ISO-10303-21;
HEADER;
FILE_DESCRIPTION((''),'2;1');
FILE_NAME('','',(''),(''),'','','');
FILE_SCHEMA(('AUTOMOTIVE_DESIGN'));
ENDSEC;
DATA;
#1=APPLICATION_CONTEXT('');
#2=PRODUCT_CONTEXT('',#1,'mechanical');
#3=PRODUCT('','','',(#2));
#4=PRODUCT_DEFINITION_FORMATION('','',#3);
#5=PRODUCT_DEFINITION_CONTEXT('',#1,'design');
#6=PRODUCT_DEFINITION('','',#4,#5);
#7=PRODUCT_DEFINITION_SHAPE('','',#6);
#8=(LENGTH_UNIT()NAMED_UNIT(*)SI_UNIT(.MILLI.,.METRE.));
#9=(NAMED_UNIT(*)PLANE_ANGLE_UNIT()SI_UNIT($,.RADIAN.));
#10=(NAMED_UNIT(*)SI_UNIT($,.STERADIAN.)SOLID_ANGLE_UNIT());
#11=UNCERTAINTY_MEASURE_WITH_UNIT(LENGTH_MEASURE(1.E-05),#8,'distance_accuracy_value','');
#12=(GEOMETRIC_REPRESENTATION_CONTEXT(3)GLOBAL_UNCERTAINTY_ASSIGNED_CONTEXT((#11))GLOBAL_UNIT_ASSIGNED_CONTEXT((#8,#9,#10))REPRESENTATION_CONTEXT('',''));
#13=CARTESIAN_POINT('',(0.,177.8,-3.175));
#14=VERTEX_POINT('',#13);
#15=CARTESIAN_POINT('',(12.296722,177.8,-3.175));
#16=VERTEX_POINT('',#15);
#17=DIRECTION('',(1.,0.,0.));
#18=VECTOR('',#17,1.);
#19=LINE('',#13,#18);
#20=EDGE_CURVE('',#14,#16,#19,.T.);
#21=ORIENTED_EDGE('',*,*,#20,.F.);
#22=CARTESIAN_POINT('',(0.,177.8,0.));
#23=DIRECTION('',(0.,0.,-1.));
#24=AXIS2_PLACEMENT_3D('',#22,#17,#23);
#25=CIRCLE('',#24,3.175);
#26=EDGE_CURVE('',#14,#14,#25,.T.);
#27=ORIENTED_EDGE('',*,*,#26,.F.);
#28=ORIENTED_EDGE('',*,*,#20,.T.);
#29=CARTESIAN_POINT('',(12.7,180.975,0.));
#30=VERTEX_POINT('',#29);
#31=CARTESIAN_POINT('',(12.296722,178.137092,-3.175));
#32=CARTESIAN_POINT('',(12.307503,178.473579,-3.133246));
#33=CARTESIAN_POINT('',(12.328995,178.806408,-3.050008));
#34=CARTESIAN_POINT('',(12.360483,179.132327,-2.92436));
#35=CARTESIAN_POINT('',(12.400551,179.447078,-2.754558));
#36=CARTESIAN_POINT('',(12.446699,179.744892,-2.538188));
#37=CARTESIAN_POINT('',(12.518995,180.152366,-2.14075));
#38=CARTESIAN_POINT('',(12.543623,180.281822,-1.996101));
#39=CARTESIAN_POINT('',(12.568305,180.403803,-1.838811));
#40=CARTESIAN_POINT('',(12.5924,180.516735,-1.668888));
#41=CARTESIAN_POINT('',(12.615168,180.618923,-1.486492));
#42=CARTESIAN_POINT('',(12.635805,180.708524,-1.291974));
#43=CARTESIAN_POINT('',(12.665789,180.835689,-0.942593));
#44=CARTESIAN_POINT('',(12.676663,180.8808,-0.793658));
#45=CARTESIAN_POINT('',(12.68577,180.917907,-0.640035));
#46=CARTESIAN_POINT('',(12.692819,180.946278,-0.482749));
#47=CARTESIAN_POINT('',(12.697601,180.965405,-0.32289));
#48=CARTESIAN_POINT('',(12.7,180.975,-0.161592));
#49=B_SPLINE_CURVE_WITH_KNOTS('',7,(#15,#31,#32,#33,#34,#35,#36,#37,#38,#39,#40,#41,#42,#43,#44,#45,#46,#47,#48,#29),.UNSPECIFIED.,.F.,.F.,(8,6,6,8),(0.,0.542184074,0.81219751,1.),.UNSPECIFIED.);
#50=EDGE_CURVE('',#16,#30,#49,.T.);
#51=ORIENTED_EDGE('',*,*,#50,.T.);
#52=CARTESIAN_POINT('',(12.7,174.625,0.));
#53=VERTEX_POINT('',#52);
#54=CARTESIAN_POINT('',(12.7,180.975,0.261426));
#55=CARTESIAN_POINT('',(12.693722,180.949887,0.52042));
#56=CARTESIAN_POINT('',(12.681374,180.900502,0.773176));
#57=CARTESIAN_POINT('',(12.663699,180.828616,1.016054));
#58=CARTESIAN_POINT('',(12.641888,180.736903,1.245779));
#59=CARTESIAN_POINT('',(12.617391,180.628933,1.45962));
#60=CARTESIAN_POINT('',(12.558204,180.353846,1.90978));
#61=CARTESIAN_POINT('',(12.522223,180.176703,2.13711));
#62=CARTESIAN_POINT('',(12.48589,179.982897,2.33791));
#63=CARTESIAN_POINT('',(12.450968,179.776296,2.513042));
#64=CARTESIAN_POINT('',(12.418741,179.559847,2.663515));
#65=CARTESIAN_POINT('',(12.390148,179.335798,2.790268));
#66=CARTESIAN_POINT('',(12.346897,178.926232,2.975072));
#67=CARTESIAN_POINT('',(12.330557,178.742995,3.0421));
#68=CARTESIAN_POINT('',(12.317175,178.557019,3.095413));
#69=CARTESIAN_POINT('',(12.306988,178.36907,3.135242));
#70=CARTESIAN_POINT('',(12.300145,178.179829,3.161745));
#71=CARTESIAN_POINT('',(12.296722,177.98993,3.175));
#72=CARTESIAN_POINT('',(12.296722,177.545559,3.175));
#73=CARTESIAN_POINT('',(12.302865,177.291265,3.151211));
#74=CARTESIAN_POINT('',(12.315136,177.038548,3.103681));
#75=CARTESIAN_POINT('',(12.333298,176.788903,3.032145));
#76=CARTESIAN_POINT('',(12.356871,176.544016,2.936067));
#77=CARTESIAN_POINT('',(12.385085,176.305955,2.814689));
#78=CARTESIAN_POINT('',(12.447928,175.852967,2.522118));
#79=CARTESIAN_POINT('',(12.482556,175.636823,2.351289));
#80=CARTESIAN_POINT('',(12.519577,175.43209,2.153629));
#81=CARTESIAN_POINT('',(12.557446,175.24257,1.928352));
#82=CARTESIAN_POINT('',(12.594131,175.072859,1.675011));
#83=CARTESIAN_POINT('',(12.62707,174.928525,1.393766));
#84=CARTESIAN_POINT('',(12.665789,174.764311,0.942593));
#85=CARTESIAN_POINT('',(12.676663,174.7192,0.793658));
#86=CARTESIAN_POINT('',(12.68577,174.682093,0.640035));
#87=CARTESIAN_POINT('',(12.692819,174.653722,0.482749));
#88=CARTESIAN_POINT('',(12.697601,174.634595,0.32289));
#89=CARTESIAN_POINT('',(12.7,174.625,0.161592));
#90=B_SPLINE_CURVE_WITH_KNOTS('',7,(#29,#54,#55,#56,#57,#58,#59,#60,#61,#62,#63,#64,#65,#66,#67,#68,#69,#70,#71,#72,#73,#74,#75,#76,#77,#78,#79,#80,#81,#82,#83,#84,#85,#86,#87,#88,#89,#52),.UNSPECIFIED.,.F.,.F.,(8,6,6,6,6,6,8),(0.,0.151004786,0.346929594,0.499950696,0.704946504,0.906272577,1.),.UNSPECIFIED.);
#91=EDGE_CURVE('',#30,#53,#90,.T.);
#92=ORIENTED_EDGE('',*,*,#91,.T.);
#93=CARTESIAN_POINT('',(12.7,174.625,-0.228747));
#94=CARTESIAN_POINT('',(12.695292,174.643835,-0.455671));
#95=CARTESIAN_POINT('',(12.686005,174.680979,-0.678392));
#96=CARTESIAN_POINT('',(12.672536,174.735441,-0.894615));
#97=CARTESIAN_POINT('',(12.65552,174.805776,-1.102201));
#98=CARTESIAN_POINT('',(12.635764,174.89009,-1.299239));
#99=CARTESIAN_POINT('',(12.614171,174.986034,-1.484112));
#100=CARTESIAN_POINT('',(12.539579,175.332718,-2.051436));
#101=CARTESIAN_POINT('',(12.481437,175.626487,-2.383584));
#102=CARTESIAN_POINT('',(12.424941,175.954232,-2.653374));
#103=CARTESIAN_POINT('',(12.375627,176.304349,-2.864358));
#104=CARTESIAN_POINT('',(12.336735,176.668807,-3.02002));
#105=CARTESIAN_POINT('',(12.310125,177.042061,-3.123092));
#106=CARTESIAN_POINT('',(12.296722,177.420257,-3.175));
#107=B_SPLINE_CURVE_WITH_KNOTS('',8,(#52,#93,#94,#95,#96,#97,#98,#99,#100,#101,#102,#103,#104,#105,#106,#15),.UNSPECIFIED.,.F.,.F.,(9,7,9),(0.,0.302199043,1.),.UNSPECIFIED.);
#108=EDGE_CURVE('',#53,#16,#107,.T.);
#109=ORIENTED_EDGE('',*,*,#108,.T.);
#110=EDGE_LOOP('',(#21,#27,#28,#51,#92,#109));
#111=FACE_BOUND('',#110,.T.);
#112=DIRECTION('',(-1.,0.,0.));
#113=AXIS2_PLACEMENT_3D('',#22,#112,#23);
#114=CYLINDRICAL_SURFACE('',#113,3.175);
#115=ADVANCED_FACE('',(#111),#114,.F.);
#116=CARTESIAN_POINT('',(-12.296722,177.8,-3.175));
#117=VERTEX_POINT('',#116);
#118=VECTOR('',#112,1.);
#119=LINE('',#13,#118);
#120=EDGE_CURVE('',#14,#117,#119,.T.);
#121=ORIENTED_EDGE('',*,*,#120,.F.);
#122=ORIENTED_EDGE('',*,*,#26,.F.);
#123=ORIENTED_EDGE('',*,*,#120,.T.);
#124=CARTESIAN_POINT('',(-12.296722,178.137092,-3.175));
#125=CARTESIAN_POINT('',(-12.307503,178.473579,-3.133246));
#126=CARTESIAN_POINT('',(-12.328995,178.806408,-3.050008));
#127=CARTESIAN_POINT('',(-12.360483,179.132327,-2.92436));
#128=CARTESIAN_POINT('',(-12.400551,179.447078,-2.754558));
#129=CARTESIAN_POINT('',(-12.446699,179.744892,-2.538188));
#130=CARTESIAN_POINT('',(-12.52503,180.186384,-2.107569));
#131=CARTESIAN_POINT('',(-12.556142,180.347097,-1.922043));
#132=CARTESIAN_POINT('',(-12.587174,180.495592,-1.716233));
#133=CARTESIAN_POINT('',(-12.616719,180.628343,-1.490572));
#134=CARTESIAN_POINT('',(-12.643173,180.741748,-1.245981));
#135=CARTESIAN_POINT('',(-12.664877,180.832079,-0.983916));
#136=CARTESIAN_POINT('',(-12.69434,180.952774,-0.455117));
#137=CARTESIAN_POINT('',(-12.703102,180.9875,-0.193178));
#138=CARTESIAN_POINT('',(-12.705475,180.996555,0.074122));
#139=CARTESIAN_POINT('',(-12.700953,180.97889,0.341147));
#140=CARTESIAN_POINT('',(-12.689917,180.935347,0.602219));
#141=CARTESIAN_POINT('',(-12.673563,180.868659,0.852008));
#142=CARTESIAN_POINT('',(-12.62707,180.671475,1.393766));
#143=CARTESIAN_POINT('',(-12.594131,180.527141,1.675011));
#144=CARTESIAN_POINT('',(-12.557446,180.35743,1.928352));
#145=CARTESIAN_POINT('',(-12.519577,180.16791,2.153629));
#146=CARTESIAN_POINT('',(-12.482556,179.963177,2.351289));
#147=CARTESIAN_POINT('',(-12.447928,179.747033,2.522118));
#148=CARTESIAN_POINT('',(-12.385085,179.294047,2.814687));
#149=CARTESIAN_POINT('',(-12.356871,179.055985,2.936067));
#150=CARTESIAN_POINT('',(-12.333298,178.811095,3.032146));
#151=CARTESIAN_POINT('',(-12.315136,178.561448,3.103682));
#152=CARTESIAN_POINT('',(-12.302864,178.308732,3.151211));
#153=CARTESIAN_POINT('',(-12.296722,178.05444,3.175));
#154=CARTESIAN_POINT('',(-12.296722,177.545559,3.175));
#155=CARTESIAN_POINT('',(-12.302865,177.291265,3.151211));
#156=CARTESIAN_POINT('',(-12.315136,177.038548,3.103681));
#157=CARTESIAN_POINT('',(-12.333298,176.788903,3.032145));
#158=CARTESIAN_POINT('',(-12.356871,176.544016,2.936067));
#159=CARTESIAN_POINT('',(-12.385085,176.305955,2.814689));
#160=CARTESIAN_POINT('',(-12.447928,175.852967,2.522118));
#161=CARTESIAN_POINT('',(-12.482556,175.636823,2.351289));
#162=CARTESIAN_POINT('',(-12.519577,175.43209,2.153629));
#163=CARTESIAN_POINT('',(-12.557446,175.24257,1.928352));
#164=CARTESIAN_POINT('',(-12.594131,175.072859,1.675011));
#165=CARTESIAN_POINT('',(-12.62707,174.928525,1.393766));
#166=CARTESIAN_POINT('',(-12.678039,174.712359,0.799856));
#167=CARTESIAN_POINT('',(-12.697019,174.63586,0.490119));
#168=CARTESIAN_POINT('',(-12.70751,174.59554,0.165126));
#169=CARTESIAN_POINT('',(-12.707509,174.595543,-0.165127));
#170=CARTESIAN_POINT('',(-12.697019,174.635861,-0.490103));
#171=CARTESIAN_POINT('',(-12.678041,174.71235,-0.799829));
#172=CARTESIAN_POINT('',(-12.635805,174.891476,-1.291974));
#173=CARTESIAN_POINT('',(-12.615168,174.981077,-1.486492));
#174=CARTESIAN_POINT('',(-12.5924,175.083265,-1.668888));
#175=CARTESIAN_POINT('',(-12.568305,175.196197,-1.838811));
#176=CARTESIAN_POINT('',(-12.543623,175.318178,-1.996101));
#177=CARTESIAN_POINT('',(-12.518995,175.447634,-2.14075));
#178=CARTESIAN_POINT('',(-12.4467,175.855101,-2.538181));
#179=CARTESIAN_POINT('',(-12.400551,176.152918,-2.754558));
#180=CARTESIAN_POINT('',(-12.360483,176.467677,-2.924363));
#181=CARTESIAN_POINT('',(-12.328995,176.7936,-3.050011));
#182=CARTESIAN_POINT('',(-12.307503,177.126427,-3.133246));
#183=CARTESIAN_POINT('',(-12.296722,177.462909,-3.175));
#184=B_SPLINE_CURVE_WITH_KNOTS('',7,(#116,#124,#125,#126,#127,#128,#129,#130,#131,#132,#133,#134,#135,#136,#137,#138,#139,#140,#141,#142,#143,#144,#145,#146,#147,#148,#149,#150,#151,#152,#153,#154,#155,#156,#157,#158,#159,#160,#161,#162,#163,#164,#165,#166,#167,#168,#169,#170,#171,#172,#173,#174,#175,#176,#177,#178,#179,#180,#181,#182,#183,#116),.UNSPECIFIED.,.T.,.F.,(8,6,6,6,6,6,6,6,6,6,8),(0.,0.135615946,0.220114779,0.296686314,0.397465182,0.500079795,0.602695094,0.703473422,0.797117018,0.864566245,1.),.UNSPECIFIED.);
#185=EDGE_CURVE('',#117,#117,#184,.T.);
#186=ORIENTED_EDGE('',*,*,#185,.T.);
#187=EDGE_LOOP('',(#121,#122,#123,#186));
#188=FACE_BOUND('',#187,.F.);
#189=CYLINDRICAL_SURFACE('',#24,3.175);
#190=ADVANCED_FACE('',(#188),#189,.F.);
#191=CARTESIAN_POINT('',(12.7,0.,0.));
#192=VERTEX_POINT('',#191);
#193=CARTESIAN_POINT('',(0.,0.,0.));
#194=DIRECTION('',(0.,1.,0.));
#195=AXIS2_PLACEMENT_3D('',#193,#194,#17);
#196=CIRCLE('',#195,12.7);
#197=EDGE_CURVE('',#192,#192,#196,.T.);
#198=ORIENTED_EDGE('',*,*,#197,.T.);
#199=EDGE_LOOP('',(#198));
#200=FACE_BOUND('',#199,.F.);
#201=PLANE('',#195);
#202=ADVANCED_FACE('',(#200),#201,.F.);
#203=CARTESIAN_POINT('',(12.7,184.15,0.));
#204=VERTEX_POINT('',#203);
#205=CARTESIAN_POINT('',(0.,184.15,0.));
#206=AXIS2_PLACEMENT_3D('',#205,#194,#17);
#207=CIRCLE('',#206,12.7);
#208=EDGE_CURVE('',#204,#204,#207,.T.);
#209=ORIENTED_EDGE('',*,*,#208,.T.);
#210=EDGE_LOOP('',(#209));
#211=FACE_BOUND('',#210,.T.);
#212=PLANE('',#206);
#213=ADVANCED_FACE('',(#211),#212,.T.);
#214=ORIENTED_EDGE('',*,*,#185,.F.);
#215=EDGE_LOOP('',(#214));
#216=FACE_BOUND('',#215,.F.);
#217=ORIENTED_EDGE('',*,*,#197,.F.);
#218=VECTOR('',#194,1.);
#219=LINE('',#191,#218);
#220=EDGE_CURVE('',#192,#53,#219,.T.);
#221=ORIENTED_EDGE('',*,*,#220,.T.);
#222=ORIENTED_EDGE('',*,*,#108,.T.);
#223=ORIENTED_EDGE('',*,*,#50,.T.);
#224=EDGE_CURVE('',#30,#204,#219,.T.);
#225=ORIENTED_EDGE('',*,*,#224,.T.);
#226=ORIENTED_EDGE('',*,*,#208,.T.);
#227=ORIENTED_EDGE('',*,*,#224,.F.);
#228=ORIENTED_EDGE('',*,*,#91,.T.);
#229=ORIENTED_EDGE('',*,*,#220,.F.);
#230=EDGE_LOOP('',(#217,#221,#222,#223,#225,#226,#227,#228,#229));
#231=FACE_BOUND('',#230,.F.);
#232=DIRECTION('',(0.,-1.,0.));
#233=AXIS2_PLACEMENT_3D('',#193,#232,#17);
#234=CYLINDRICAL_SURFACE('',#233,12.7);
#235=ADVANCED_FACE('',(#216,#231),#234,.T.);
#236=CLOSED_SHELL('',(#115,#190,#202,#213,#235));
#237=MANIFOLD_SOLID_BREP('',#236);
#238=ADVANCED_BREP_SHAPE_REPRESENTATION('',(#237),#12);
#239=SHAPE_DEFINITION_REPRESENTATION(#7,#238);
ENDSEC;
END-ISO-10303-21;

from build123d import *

# Parameters (mm, degrees)
SKETCH2_R               = 12.7
BOSS_EXTRUDE3_DEPTH     = 184.15
SKETCH3_R               = 3.175
CUT_EXTRUDE1_DEPTH      = 13.7
CUT_EXTRUDE1_DEPTH_BACK = 13.7


with BuildPart() as part:
    # Sketch2 → Boss-Extrude3 (new body)
    with BuildSketch(Plane(origin=(0, 0, 0), x_dir=(1, 0, 0), z_dir=(0, 1, 0))):
        Circle(SKETCH2_R)
    extrude(amount=BOSS_EXTRUDE3_DEPTH)

    # Sketch3 → Cut-Extrude1 (cut, two sides)
    with BuildSketch(Plane(origin=(0, 0, 0), x_dir=(0, 0, -1), z_dir=(1, 0, 0))) as cut_extrude1_sk:
        with Locations((0, 177.8)):
            Circle(SKETCH3_R)
    extrude(amount=CUT_EXTRUDE1_DEPTH, mode=Mode.SUBTRACT)
    extrude(cut_extrude1_sk.sketch, amount=-CUT_EXTRUDE1_DEPTH_BACK, mode=Mode.SUBTRACT)


solid = part.part
